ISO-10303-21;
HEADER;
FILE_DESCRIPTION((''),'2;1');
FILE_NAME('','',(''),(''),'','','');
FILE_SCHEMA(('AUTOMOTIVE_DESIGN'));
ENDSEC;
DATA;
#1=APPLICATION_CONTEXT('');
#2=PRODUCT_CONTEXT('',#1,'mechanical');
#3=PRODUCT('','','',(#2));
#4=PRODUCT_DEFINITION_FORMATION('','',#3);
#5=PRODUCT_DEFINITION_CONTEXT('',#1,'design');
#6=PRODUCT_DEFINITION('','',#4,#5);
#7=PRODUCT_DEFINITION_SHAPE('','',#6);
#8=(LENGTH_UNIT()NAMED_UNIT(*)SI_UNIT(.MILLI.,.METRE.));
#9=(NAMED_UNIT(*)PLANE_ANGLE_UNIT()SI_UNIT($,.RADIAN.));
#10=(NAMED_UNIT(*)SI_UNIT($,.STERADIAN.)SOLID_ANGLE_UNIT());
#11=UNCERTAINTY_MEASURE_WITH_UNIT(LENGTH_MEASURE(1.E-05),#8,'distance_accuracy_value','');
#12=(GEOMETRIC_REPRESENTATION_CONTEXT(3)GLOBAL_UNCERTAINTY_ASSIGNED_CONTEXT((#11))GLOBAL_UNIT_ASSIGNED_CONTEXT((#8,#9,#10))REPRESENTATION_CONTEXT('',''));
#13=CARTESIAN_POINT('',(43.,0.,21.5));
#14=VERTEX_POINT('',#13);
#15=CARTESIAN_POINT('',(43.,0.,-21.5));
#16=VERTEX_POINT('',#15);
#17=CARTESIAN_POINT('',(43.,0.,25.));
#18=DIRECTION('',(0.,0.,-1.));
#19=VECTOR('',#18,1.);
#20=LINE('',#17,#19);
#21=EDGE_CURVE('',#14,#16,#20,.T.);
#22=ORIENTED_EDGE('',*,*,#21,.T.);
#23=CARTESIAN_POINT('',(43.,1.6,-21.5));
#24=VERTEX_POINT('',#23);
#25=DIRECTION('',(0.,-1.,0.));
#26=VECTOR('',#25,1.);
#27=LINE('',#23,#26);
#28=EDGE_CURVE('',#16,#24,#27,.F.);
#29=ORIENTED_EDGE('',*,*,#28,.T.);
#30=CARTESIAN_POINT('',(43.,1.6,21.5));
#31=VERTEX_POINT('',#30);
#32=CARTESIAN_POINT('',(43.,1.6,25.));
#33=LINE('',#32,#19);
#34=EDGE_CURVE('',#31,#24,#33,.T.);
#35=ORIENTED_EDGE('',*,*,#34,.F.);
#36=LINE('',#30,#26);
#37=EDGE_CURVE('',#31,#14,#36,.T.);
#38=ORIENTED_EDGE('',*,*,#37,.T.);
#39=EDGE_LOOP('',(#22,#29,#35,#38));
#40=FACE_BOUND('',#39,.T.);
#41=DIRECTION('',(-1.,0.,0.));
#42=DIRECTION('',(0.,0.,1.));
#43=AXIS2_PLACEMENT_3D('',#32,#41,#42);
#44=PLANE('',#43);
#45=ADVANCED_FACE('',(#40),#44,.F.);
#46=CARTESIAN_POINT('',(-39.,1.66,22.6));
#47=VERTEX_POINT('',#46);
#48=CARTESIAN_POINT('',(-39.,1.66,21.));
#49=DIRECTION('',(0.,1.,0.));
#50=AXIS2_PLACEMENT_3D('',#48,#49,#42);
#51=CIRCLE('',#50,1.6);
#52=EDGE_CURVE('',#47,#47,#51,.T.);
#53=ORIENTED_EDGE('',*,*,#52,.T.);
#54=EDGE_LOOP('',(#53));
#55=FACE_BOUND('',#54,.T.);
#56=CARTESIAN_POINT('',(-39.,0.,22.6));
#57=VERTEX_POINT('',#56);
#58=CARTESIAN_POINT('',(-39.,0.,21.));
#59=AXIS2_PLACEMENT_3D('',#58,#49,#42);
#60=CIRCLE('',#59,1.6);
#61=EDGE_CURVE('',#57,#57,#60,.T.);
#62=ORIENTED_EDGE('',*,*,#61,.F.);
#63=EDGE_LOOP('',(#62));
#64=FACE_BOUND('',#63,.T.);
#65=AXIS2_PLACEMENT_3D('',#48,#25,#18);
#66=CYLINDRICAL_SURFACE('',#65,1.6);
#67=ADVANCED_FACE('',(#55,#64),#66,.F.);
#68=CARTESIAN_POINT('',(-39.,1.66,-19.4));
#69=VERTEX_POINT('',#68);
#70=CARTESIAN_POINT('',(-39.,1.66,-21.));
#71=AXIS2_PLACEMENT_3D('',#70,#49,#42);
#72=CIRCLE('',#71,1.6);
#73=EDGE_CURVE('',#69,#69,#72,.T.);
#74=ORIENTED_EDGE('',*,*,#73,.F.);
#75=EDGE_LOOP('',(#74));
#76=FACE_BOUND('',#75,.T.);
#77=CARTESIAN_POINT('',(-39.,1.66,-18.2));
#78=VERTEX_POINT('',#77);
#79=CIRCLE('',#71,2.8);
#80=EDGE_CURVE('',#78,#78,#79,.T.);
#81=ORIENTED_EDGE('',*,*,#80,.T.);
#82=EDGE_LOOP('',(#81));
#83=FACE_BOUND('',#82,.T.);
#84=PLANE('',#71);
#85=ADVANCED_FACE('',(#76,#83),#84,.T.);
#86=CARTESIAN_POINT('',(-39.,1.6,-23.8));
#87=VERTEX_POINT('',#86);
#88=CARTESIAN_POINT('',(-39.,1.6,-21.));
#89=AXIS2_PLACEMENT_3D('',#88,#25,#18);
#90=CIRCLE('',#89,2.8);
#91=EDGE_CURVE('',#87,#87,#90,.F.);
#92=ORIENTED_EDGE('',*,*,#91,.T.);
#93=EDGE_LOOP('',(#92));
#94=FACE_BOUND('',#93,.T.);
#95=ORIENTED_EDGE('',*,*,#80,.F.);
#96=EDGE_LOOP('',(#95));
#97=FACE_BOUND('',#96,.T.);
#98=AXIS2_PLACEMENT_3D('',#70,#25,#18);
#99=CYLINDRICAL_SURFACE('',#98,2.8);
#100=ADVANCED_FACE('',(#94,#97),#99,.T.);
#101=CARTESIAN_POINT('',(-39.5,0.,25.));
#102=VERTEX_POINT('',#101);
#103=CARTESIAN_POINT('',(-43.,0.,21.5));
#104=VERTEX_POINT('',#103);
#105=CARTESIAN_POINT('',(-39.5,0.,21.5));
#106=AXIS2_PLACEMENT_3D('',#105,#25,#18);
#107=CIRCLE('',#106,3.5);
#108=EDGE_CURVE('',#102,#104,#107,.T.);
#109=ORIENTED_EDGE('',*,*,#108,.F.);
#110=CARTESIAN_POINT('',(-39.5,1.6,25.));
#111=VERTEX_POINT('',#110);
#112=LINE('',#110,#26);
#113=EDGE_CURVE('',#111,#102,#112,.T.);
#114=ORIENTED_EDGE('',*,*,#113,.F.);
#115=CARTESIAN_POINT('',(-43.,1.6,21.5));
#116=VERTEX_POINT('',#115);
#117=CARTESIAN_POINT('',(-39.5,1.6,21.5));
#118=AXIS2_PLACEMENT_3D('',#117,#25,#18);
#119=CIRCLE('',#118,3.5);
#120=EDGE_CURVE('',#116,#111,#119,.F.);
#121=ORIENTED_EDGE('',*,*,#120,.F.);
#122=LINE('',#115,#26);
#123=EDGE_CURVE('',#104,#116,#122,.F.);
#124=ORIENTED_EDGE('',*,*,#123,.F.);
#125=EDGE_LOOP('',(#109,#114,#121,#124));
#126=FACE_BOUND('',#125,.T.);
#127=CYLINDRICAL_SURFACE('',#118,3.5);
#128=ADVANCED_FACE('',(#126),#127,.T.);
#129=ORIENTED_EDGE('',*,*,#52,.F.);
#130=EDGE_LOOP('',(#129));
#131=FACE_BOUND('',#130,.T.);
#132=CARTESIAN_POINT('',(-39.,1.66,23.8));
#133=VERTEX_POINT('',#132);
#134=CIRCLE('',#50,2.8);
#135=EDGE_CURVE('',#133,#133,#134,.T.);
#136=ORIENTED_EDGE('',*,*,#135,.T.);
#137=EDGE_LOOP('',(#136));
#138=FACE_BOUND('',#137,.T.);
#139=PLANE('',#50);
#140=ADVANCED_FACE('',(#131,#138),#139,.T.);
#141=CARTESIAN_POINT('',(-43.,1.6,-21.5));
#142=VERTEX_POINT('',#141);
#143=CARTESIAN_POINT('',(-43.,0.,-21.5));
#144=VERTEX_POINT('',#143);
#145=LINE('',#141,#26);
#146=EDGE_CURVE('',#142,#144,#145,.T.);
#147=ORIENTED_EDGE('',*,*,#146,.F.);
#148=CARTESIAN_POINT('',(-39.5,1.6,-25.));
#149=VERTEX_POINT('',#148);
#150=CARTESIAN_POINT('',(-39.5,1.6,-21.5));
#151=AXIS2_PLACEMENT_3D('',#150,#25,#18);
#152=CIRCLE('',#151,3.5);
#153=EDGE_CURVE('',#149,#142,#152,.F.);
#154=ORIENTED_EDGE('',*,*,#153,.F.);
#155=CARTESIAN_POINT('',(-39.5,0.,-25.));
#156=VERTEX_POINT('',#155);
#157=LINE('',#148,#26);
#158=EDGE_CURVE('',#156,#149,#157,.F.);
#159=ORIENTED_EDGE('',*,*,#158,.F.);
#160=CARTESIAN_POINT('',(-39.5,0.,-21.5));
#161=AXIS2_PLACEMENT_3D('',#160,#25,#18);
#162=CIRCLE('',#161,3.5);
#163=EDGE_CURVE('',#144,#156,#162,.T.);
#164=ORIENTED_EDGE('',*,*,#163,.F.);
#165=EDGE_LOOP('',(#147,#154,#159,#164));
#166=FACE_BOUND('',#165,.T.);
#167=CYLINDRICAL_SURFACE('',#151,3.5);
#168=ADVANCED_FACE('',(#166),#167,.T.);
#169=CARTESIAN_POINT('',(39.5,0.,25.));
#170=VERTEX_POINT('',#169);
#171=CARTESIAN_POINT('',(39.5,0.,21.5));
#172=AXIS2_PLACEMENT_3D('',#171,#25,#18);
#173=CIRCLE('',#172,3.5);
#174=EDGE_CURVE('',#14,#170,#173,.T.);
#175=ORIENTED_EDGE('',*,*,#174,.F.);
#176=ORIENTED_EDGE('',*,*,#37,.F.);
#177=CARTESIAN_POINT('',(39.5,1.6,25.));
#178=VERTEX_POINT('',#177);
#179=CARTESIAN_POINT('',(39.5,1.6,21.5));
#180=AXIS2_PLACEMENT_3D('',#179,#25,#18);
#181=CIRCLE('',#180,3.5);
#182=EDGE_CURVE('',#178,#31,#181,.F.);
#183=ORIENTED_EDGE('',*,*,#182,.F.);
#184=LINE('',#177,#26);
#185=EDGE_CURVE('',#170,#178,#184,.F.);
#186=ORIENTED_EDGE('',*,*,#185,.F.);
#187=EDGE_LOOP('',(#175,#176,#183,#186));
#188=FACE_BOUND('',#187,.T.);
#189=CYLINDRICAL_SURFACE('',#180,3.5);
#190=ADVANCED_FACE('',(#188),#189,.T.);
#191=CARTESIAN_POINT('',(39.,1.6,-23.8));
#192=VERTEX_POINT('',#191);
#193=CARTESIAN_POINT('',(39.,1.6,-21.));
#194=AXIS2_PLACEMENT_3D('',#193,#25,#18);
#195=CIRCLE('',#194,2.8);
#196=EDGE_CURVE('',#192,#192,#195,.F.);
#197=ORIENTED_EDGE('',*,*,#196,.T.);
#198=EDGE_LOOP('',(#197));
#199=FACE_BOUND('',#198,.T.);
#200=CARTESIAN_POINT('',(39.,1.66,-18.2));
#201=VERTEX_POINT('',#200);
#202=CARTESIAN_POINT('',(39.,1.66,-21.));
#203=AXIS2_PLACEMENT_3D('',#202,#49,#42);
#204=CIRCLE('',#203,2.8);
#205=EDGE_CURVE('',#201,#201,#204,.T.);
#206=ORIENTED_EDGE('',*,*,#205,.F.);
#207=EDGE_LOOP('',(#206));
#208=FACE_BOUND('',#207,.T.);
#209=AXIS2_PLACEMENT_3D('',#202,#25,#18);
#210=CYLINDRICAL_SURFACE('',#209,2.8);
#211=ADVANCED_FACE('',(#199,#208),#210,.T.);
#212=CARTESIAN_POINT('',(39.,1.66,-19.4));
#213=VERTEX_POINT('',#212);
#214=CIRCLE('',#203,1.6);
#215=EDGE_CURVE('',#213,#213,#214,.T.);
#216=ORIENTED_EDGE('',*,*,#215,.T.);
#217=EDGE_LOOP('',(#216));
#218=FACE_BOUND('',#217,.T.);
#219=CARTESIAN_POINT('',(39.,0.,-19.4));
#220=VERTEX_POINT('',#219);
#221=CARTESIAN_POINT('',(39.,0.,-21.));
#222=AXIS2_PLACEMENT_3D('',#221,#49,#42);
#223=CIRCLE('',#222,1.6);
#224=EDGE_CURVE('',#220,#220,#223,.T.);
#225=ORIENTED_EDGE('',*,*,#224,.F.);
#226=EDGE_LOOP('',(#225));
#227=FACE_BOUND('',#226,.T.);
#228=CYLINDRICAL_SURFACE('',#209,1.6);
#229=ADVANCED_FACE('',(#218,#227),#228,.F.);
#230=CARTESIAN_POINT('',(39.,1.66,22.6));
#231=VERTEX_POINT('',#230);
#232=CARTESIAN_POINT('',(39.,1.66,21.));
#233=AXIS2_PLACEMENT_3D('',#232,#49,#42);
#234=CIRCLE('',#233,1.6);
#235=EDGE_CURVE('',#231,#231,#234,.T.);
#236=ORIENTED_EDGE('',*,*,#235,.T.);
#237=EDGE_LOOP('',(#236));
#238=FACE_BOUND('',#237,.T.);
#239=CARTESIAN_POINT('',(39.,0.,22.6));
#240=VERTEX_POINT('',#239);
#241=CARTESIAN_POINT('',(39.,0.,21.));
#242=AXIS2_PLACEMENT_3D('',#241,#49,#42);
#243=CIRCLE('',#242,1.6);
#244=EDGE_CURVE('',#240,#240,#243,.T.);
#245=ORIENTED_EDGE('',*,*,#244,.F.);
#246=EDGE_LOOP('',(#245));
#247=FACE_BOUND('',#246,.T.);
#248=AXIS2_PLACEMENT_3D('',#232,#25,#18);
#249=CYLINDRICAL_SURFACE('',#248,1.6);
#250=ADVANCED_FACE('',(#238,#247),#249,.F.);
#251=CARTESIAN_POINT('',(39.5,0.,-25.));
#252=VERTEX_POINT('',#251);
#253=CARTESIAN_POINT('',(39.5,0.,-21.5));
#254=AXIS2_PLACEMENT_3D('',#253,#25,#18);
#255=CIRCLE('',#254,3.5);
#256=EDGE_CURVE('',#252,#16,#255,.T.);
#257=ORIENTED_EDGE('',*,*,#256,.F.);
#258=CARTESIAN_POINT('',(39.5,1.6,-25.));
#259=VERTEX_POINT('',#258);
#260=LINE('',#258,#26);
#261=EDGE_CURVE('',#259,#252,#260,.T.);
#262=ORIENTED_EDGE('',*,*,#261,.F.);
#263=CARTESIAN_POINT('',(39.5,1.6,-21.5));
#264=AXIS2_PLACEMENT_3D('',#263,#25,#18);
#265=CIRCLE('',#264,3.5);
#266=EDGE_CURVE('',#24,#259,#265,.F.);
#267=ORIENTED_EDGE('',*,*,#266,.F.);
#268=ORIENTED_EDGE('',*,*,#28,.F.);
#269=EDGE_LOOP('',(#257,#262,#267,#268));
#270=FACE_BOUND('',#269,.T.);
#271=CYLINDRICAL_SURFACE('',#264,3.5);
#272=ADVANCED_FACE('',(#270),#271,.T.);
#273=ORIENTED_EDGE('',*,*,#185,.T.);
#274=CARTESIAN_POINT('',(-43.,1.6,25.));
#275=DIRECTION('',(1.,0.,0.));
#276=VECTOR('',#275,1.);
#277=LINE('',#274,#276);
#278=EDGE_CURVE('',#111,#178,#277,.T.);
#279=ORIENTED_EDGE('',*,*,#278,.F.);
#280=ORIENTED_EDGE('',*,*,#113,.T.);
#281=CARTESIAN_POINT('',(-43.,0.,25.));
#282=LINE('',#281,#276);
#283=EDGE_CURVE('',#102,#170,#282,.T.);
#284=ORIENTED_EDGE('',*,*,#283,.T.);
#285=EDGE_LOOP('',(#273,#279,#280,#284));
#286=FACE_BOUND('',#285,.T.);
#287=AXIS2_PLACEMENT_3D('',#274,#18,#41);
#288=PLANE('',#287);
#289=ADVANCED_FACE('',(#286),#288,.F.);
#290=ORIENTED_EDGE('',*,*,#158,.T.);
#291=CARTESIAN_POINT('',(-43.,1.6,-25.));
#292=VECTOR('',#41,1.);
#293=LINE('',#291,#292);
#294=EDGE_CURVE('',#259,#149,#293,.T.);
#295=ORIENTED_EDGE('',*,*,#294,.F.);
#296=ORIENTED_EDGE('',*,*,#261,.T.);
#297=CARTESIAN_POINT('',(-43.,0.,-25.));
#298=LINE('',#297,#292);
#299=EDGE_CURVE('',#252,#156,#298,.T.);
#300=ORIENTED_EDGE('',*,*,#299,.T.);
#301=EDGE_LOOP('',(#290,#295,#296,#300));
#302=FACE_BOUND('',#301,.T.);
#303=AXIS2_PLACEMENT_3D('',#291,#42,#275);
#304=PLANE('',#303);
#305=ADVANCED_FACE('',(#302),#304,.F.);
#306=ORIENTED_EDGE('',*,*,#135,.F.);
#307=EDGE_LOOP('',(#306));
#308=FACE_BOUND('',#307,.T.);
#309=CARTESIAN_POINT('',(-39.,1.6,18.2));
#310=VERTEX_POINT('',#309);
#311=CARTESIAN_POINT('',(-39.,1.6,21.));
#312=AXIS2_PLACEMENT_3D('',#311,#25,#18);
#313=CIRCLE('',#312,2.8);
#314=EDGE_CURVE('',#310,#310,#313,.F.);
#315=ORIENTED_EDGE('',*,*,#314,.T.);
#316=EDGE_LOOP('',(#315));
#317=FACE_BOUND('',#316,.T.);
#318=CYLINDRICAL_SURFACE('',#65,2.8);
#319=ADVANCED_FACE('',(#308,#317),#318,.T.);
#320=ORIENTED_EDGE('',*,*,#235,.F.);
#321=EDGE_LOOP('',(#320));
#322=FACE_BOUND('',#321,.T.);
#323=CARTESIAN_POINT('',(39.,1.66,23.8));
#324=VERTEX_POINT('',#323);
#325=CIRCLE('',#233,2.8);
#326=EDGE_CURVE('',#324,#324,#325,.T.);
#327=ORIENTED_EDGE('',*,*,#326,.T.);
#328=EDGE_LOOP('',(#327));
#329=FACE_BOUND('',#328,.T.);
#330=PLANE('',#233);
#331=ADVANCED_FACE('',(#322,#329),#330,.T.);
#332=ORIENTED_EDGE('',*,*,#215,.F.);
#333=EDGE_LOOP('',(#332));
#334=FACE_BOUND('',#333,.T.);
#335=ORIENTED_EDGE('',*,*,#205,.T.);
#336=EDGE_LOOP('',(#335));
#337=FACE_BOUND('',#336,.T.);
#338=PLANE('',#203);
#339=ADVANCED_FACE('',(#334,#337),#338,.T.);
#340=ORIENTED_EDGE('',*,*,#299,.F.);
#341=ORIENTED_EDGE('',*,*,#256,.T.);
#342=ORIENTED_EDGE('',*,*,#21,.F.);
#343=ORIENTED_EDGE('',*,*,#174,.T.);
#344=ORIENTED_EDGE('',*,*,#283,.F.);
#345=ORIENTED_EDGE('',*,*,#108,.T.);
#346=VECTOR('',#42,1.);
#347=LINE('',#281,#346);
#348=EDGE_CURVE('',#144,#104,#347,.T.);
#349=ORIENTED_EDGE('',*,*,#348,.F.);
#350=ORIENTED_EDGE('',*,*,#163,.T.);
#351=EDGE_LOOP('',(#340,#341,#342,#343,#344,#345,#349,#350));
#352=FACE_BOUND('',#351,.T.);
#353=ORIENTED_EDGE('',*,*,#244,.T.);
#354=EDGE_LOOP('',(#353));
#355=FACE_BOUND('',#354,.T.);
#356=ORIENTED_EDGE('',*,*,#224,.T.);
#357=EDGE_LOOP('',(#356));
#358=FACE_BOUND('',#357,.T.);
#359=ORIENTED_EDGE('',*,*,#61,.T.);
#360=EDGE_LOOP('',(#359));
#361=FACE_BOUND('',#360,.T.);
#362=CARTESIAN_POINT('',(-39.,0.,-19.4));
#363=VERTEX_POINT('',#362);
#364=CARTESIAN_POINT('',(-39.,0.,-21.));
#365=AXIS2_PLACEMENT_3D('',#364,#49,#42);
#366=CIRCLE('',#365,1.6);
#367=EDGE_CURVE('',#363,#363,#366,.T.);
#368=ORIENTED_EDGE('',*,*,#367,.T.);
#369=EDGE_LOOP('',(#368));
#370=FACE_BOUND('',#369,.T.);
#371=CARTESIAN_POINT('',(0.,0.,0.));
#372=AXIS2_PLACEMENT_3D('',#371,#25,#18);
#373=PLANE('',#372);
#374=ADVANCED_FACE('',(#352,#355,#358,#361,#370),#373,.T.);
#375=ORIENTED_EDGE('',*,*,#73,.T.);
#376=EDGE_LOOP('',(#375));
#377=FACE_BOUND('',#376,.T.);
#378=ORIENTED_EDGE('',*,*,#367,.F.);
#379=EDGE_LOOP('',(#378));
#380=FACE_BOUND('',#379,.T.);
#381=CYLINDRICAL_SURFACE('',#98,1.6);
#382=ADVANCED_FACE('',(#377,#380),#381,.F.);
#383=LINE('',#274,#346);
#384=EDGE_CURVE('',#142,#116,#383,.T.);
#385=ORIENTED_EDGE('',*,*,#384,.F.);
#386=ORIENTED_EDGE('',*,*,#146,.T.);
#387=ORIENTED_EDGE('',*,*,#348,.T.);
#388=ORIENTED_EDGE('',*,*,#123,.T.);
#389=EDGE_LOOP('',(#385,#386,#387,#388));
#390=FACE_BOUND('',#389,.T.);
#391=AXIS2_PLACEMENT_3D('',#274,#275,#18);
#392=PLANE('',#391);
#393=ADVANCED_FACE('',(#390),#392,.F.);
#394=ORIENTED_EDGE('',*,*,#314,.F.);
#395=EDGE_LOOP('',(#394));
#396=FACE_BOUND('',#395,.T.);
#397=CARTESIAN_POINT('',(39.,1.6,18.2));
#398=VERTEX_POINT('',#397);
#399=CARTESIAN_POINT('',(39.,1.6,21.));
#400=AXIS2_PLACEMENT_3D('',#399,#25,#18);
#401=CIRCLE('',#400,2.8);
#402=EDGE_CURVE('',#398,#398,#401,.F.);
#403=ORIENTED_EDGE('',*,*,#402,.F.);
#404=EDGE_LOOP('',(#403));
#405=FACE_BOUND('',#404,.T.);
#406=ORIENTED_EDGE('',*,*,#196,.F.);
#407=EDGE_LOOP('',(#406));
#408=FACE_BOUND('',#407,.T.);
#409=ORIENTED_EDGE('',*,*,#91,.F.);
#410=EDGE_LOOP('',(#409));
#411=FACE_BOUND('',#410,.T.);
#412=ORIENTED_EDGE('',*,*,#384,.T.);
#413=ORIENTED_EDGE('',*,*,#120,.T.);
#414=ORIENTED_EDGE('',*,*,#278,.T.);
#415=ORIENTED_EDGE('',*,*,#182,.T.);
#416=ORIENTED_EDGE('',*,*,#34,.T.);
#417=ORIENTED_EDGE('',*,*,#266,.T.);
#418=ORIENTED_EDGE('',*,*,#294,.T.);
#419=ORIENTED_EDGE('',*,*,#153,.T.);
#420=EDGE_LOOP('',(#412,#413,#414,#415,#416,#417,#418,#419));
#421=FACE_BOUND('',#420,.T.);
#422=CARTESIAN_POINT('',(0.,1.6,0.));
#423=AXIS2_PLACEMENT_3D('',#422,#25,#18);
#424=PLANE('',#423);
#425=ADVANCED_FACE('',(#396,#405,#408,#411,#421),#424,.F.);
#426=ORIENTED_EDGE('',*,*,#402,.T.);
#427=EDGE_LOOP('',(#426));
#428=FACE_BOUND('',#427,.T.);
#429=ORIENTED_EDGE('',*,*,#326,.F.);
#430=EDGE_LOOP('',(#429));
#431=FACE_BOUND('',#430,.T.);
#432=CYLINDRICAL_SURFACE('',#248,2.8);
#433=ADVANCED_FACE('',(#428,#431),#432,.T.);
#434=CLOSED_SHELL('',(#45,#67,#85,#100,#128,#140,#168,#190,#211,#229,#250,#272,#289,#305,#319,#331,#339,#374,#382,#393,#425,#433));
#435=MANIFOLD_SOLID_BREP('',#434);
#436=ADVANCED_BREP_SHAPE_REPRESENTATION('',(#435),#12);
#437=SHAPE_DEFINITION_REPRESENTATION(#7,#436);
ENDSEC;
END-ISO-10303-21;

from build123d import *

# Parameters (mm, degrees)
SKETCH_1_W          = 86
SKETCH_1_H          = 50
EXTRUDE_1_DEPTH     = 1.6
SKETCH_2_R          = 2.8
SKETCH_2_R_2        = 1.6
EXTRUDE_2_DEPTH     = 0.06
SKETCH_4_R          = 1.6
CUT_EXTRUDE_1_DEPTH = 50.765047975
FILLET_1_R          = 3.5


with BuildPart() as part:
    # 草图1 → 凸台-拉伸1 (new body)
    with BuildSketch(Plane(origin=(0, 0, 0), x_dir=(1, 0, 0), z_dir=(0, 1, 0))):
        Rectangle(SKETCH_1_W, SKETCH_1_H)
    extrude(amount=EXTRUDE_1_DEPTH)

    # 草图2 → 凸台-拉伸2 (add)
    # profile 1 of 4: a face of its own
    with BuildSketch(Plane(origin=(0, 1.6, 0), x_dir=(1, 0, 0), z_dir=(0, 1, 0))):
        with Locations(Location((-39, 21, 0), (0, 0, 90))):
            Circle(SKETCH_2_R)
        with Locations(Location((-39, 21, 0), (0, 0, 270))):
            Circle(SKETCH_2_R_2, mode=Mode.SUBTRACT)
    # profile 2 of 4: a face of its own
    with BuildSketch(Plane(origin=(0, 1.6, 0), x_dir=(1, 0, 0), z_dir=(0, 1, 0))):
        with Locations(Location((39, 21, 0), (0, 0, 90))):
            Circle(SKETCH_2_R)
        with Locations(Location((39, 21, 0), (0, 0, 270))):
            Circle(SKETCH_2_R_2, mode=Mode.SUBTRACT)
    # profile 3 of 4: a face of its own
    with BuildSketch(Plane(origin=(0, 1.6, 0), x_dir=(1, 0, 0), z_dir=(0, 1, 0))):
        with Locations(Location((39, -21, 0), (0, 0, 90))):
            Circle(SKETCH_2_R)
        with Locations(Location((39, -21, 0), (0, 0, 270))):
            Circle(SKETCH_2_R_2, mode=Mode.SUBTRACT)
    # profile 4 of 4: a face of its own
    with BuildSketch(Plane(origin=(0, 1.6, 0), x_dir=(1, 0, 0), z_dir=(0, 1, 0))):
        with Locations(Location((-39, -21, 0), (0, 0, 90))):
            Circle(SKETCH_2_R)
        with Locations(Location((-39, -21, 0), (0, 0, 270))):
            Circle(SKETCH_2_R_2, mode=Mode.SUBTRACT)
    extrude(amount=EXTRUDE_2_DEPTH)

    # 草图4 → 切除-拉伸1 (cut, through all)
    with BuildSketch(Plane(origin=(0, 1.6, 0), x_dir=(1, 0, 0), z_dir=(0, 1, 0))):
        with Locations(Location((-39, 21, 0), (0, 0, 270))):
            Circle(SKETCH_4_R)
        with Locations(Location((39, 21, 0), (0, 0, 270))):
            Circle(SKETCH_4_R)
        with Locations(Location((39, -21, 0), (0, 0, 270))):
            Circle(SKETCH_4_R)
        with Locations(Location((-39, -21, 0), (0, 0, 270))):
            Circle(SKETCH_4_R)
    extrude(amount=-CUT_EXTRUDE_1_DEPTH, mode=Mode.SUBTRACT)

    # 圆角1
    fillet_1_edges = [part.edges().sort_by_distance(p)[0] for p in [
        (43, 0.8, 25),
        (-43, 0.8, 25),
        (-43, 0.8, -25),
        (43, 0.8, -25),
    ]]
    fillet(fillet_1_edges, radius=FILLET_1_R)


solid = part.part
